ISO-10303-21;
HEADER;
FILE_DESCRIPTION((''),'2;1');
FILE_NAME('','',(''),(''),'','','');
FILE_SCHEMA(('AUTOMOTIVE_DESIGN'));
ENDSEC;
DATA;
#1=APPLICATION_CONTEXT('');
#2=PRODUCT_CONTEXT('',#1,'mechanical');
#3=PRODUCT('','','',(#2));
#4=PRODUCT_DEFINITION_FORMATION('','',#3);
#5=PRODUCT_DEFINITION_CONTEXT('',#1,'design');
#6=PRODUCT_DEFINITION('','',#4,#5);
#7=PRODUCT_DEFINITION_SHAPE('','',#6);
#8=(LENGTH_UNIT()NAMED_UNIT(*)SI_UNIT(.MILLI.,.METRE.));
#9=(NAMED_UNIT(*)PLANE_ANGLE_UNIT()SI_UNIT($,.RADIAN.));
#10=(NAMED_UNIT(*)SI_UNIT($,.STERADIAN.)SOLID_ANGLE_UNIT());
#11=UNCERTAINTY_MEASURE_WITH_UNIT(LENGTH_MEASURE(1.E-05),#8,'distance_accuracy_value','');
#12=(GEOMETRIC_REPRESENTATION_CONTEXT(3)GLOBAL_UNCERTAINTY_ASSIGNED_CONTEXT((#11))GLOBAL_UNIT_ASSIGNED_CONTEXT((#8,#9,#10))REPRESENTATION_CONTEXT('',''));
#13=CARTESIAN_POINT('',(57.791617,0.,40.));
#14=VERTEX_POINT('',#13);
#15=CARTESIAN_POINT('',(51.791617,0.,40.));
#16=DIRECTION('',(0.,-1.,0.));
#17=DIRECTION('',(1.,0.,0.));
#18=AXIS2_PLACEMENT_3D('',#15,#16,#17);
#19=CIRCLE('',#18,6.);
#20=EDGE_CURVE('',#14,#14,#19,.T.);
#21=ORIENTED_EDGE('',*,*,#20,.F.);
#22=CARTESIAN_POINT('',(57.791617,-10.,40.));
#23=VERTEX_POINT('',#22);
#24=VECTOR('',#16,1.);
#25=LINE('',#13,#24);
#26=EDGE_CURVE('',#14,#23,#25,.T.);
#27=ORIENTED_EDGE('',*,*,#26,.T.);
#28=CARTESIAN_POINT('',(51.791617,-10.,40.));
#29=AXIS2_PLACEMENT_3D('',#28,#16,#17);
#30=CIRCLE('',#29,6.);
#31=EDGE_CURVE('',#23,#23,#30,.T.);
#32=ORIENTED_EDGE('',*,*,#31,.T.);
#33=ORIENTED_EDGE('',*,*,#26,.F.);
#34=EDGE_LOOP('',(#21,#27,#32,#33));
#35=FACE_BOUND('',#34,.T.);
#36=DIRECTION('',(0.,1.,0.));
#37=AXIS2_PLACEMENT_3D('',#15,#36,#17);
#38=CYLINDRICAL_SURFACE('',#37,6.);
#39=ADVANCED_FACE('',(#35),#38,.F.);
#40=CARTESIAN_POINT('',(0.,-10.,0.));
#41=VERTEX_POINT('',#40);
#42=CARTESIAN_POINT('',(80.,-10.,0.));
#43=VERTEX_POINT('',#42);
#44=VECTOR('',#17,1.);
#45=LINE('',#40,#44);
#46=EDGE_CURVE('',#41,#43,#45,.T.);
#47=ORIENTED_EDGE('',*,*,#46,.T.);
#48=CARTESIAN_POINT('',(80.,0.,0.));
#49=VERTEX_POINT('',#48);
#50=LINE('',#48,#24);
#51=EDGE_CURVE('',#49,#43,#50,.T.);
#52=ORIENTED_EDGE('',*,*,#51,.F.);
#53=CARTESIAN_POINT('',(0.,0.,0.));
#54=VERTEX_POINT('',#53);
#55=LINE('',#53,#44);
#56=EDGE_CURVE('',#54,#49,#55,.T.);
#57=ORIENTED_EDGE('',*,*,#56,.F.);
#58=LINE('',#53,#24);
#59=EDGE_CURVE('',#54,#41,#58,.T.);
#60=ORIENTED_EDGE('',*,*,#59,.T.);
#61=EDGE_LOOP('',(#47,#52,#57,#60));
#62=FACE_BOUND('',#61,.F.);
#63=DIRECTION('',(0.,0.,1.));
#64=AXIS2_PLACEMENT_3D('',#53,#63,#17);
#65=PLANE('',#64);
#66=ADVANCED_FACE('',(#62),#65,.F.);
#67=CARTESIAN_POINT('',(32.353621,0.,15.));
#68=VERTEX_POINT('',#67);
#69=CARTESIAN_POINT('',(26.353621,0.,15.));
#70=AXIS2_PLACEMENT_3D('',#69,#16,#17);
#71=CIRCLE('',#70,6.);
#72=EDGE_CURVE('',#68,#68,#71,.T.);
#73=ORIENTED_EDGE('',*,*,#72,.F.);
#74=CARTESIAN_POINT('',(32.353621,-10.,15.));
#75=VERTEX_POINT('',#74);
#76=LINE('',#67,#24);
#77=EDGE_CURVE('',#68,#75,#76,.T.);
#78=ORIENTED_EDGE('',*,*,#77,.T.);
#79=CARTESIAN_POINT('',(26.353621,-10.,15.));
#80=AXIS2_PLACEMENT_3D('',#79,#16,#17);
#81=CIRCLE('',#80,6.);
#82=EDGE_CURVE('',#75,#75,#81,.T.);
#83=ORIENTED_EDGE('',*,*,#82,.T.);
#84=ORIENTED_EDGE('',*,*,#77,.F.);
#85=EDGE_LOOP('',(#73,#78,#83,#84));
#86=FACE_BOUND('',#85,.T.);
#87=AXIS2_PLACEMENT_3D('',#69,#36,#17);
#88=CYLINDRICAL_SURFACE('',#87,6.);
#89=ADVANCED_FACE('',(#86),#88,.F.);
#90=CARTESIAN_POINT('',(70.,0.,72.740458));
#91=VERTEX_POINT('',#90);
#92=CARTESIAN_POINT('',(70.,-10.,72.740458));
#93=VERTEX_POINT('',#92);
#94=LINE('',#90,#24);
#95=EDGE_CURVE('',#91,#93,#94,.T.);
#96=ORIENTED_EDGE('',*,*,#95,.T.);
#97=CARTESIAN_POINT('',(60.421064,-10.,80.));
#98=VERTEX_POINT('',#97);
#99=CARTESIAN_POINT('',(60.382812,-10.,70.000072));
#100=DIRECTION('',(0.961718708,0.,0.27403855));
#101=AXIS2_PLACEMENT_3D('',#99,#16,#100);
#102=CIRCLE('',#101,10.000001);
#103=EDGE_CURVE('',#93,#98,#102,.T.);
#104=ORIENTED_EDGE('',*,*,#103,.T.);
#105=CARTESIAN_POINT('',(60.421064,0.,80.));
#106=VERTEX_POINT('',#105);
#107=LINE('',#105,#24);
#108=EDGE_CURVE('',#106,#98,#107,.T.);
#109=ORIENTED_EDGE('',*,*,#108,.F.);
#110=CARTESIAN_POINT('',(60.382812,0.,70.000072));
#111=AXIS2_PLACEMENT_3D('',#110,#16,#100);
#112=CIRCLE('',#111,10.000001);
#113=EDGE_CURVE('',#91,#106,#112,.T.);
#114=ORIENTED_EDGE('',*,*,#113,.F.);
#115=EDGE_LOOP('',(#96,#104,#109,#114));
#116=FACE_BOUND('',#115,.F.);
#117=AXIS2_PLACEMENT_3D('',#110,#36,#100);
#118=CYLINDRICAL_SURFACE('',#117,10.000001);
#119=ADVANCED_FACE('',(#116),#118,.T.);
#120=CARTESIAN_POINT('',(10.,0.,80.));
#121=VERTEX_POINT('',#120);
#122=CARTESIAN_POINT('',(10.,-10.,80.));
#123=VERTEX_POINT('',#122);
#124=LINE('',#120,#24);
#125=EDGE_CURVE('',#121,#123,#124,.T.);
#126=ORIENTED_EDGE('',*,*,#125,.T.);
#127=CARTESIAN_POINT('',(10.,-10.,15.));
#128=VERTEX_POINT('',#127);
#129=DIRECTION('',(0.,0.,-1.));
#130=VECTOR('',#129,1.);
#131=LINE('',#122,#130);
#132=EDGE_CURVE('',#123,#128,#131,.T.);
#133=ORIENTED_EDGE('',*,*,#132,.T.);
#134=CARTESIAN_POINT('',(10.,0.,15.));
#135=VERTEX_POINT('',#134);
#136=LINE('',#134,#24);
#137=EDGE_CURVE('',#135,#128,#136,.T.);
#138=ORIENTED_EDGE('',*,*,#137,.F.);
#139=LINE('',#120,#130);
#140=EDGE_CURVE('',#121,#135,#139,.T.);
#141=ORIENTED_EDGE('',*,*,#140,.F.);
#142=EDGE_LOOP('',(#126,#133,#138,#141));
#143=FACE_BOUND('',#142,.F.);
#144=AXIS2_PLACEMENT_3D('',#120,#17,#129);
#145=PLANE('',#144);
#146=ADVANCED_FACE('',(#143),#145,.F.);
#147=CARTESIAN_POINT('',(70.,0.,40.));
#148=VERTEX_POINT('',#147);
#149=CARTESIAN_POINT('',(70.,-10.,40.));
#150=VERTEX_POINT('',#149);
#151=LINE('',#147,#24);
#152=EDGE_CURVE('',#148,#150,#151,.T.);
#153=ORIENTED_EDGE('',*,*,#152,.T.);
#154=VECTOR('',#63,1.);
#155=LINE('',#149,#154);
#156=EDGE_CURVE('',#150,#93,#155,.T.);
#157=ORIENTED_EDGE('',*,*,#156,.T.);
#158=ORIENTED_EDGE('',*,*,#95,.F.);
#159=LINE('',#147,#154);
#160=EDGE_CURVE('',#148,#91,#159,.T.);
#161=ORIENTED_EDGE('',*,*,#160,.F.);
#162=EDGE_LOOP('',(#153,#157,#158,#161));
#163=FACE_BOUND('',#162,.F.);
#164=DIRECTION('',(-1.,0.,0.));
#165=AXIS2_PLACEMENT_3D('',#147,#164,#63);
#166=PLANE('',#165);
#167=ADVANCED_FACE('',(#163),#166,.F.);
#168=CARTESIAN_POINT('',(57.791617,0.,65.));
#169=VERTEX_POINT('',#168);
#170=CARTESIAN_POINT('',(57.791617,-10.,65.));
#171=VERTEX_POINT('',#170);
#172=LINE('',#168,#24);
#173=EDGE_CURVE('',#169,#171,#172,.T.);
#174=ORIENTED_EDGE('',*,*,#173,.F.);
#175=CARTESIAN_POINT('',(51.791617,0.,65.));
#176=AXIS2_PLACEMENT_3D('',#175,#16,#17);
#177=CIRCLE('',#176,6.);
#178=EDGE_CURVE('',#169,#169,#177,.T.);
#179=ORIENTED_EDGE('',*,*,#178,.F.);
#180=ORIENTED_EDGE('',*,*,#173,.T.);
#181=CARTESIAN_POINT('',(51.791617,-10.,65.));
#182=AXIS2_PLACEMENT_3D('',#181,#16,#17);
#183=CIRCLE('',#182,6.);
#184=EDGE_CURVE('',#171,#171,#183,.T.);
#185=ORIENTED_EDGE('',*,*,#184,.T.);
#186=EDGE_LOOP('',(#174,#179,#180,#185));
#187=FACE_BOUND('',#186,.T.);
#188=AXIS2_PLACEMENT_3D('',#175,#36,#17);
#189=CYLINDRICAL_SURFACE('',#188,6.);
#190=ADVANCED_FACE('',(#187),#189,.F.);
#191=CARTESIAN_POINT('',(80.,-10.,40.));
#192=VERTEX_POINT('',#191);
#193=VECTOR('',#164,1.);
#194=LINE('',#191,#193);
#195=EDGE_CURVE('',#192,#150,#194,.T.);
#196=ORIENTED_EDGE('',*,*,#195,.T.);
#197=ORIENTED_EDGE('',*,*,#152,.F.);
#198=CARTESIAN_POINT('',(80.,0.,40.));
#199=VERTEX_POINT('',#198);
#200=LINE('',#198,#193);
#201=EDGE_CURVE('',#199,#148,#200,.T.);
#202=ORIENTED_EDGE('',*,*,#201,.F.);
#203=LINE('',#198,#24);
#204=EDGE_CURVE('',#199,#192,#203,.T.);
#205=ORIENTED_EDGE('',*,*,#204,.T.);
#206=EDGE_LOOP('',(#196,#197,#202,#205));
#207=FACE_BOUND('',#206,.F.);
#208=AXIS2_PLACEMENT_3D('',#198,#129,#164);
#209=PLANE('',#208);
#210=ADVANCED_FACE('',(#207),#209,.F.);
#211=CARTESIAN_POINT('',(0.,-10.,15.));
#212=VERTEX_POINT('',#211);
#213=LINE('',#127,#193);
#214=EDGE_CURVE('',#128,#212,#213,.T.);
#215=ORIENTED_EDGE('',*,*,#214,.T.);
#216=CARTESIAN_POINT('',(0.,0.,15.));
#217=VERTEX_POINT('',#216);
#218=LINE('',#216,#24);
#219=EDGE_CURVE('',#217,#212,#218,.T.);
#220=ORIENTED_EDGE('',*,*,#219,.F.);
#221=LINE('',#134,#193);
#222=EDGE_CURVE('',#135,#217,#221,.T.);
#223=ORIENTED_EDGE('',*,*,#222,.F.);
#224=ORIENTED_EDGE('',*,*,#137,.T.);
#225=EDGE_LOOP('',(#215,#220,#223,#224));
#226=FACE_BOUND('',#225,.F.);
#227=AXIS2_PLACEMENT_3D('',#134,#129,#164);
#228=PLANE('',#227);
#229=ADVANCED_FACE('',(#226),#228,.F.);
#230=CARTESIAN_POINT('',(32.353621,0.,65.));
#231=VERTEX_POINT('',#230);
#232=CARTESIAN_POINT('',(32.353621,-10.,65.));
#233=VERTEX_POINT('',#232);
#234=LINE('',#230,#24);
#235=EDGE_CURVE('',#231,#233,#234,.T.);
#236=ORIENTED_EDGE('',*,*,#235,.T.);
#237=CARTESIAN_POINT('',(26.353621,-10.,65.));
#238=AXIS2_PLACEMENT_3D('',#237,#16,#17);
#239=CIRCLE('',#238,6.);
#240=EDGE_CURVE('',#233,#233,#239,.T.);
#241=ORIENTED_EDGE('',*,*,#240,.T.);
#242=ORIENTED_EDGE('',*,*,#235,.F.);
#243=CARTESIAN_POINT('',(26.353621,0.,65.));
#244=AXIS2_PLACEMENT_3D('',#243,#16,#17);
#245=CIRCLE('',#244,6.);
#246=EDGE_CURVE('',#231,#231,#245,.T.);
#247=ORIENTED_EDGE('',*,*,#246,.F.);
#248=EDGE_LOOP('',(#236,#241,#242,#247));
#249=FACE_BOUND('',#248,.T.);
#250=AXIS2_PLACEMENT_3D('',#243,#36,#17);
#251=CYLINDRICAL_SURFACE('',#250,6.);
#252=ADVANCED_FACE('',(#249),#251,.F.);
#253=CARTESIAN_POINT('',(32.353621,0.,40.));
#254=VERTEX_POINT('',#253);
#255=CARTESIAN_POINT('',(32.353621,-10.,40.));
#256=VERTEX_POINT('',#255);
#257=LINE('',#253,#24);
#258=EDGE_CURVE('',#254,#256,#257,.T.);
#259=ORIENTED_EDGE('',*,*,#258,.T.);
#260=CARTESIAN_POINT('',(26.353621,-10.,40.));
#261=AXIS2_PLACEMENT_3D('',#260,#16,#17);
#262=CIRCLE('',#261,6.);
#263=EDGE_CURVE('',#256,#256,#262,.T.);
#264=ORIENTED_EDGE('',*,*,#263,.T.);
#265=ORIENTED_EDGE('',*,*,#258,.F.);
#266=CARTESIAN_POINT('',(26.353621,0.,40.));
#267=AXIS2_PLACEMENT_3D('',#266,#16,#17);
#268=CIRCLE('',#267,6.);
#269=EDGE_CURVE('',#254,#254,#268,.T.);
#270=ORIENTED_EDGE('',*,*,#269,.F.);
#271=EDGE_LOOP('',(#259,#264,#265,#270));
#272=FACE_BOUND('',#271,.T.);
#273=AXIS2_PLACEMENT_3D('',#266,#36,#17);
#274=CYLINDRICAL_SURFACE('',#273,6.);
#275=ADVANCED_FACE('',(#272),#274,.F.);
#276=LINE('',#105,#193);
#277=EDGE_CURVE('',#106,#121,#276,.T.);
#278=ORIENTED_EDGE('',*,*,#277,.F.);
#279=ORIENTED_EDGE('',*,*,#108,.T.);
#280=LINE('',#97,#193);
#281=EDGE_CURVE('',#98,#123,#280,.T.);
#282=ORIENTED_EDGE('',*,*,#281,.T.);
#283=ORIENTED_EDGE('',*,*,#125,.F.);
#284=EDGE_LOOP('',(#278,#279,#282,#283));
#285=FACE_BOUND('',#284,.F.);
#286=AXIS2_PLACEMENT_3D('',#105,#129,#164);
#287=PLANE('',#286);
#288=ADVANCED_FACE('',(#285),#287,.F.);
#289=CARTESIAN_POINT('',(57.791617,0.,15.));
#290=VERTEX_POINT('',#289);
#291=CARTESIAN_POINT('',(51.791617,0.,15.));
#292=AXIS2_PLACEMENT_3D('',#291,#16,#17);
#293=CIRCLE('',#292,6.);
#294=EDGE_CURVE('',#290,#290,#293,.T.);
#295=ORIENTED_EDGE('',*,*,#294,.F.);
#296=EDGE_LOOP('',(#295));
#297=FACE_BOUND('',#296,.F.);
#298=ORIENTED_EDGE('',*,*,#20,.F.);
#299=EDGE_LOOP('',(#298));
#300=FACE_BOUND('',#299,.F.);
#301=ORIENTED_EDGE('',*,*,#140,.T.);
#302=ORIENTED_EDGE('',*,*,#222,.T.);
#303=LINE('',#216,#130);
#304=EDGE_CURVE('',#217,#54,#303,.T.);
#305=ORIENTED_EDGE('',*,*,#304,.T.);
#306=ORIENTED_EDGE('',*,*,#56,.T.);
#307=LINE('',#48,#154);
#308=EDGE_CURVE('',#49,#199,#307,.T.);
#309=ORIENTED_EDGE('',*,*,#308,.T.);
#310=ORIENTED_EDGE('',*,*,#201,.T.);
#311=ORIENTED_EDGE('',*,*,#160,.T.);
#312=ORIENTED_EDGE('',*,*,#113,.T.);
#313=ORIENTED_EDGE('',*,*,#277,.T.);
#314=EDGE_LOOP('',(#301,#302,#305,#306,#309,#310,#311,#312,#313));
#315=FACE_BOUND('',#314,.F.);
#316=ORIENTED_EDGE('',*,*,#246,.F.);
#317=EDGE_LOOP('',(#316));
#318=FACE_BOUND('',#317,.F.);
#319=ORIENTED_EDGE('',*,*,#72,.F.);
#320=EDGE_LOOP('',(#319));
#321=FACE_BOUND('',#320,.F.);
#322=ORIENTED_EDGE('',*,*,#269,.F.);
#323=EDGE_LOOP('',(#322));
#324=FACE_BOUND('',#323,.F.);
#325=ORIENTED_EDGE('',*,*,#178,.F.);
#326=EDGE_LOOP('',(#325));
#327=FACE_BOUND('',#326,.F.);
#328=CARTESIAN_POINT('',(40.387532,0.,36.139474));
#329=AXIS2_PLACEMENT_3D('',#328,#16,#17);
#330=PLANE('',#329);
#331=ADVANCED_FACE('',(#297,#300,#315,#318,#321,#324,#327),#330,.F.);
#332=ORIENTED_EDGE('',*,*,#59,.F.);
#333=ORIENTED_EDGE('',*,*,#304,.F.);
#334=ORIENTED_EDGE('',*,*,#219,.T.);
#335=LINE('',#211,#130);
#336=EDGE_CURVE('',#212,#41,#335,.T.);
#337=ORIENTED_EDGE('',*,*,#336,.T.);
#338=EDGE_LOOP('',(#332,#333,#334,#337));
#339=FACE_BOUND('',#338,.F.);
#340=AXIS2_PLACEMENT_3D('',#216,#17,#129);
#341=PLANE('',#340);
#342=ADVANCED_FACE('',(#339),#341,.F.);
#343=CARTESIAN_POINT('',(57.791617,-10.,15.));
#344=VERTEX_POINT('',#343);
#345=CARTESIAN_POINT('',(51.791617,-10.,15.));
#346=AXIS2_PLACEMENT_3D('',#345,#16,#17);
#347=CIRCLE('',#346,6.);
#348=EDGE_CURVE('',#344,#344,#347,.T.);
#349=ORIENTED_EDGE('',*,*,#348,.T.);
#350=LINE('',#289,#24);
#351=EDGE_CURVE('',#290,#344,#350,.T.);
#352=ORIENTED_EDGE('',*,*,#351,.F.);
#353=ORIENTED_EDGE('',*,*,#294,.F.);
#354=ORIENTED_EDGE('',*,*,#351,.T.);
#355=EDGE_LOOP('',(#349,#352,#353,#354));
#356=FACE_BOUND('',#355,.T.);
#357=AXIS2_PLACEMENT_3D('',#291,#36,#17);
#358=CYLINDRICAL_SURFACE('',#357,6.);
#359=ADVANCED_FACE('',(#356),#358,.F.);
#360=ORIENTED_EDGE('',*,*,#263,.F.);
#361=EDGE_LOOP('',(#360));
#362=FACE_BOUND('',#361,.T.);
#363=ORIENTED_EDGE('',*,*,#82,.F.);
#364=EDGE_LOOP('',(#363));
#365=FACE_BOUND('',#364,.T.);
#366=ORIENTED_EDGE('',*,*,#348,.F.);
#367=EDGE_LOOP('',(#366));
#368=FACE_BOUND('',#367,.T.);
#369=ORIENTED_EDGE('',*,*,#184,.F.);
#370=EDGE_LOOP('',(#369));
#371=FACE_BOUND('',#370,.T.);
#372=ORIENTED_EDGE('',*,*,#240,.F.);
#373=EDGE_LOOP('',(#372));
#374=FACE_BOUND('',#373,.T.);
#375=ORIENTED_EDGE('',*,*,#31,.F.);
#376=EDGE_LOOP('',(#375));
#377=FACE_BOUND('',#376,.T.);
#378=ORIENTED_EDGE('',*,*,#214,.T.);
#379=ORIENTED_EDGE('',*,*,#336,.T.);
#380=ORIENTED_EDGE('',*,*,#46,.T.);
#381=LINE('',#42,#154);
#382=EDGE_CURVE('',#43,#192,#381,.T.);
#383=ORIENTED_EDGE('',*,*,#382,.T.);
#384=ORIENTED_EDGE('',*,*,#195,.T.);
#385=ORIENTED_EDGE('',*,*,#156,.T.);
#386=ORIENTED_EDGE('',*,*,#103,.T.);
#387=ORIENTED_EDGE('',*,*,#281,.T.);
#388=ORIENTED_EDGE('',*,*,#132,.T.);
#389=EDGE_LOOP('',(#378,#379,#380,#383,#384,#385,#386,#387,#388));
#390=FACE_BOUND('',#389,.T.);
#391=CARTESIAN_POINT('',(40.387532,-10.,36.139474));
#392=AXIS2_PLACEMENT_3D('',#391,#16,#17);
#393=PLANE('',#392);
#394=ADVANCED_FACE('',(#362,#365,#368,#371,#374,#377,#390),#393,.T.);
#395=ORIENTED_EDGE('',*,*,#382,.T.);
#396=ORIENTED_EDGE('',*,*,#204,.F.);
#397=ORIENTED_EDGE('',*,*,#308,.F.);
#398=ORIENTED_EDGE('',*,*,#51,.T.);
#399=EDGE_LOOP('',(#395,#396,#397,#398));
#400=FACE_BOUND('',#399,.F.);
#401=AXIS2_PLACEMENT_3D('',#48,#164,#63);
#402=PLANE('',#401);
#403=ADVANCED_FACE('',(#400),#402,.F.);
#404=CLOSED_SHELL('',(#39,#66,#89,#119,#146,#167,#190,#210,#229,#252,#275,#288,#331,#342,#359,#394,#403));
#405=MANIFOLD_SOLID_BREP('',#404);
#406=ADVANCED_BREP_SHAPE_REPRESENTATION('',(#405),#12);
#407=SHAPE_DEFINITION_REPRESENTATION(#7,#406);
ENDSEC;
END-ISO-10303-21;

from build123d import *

# Parameters (mm, degrees)
F0_R     = 6
F1_DEPTH = 10


with BuildPart() as f1:
    # F0 (on Front) → F1 (new body)
    with BuildSketch(Plane.XZ):
        with BuildLine():
            Line((60.421064, 80), (10, 80))
            Line((10, 80), (10, 15))
            Line((10, 15), (0, 15))
            Line((0, 15), (0, 0))
            Line((0, 0), (80, 0))
            Line((80, 0), (80, 40))
            Line((80, 40), (70, 40))
            Line((70, 40), (70, 72.740458))
            ThreePointArc((70, 72.740458), (66.422855, 77.969884), (60.421064, 80))
        make_face()
        with Locations((26.353621, 15)):
            Circle(F0_R, mode=Mode.SUBTRACT)
        with Locations((51.791617, 15)):
            Circle(F0_R, mode=Mode.SUBTRACT)
        with Locations((26.353621, 40)):
            Circle(F0_R, mode=Mode.SUBTRACT)
        with Locations((26.353621, 65)):
            Circle(F0_R, mode=Mode.SUBTRACT)
        with Locations((51.791617, 40)):
            Circle(F0_R, mode=Mode.SUBTRACT)
        with Locations((51.791617, 65)):
            Circle(F0_R, mode=Mode.SUBTRACT)
    extrude(amount=F1_DEPTH)


solid = f1.part
